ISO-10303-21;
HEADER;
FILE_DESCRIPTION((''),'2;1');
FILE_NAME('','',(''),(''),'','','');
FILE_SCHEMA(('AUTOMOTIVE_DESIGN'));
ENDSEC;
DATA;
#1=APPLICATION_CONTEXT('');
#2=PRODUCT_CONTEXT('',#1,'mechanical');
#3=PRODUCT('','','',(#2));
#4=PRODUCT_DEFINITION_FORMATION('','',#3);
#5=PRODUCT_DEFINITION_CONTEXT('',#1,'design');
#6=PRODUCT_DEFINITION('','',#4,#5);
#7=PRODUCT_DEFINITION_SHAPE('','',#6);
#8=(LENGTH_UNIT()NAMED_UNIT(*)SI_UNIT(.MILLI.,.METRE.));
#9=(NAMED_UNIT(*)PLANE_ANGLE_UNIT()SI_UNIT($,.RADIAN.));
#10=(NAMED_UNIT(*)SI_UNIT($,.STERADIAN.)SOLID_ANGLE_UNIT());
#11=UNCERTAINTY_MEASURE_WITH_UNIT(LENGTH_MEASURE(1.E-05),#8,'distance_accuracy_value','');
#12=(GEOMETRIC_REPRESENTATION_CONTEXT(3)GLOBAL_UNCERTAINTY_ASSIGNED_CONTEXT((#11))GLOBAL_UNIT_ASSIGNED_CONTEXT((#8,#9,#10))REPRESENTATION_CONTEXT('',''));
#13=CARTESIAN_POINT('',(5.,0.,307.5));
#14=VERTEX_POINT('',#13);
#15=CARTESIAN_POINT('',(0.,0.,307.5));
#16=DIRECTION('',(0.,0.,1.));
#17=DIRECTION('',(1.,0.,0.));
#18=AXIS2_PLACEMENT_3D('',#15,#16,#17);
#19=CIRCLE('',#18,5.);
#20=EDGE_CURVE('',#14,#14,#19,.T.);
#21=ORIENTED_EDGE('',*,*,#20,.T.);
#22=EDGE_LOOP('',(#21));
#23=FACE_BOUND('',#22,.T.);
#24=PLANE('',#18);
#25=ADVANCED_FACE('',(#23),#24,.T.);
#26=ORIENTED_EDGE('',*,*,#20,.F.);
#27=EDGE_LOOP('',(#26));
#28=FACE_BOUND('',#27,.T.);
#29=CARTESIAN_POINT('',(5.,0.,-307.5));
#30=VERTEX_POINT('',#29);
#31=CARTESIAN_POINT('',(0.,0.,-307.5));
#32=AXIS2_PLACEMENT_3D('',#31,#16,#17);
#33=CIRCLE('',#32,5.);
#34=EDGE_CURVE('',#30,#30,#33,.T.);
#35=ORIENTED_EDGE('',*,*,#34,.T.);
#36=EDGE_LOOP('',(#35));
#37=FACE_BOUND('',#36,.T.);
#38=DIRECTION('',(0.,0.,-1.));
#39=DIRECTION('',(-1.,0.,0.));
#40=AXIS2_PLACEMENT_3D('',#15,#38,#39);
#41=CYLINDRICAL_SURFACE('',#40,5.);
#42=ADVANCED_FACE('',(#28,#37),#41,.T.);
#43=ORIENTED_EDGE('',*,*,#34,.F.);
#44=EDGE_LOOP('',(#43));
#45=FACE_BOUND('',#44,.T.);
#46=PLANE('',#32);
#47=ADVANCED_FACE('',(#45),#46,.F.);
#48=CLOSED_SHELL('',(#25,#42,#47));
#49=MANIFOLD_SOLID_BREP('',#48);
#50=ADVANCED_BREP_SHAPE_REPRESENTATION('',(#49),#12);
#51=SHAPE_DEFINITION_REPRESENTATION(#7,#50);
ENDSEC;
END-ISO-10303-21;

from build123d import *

# Parameters (mm, degrees)
SKETCH1_R           = 5
BOSS_EXTRUDE1_DEPTH = 307.5


with BuildPart() as part:
    # Sketch1 → Boss-Extrude1 (new body, symmetric)
    with BuildSketch(Plane.XY):
        Circle(SKETCH1_R)
    extrude(amount=BOSS_EXTRUDE1_DEPTH, both=True)


solid = part.part
